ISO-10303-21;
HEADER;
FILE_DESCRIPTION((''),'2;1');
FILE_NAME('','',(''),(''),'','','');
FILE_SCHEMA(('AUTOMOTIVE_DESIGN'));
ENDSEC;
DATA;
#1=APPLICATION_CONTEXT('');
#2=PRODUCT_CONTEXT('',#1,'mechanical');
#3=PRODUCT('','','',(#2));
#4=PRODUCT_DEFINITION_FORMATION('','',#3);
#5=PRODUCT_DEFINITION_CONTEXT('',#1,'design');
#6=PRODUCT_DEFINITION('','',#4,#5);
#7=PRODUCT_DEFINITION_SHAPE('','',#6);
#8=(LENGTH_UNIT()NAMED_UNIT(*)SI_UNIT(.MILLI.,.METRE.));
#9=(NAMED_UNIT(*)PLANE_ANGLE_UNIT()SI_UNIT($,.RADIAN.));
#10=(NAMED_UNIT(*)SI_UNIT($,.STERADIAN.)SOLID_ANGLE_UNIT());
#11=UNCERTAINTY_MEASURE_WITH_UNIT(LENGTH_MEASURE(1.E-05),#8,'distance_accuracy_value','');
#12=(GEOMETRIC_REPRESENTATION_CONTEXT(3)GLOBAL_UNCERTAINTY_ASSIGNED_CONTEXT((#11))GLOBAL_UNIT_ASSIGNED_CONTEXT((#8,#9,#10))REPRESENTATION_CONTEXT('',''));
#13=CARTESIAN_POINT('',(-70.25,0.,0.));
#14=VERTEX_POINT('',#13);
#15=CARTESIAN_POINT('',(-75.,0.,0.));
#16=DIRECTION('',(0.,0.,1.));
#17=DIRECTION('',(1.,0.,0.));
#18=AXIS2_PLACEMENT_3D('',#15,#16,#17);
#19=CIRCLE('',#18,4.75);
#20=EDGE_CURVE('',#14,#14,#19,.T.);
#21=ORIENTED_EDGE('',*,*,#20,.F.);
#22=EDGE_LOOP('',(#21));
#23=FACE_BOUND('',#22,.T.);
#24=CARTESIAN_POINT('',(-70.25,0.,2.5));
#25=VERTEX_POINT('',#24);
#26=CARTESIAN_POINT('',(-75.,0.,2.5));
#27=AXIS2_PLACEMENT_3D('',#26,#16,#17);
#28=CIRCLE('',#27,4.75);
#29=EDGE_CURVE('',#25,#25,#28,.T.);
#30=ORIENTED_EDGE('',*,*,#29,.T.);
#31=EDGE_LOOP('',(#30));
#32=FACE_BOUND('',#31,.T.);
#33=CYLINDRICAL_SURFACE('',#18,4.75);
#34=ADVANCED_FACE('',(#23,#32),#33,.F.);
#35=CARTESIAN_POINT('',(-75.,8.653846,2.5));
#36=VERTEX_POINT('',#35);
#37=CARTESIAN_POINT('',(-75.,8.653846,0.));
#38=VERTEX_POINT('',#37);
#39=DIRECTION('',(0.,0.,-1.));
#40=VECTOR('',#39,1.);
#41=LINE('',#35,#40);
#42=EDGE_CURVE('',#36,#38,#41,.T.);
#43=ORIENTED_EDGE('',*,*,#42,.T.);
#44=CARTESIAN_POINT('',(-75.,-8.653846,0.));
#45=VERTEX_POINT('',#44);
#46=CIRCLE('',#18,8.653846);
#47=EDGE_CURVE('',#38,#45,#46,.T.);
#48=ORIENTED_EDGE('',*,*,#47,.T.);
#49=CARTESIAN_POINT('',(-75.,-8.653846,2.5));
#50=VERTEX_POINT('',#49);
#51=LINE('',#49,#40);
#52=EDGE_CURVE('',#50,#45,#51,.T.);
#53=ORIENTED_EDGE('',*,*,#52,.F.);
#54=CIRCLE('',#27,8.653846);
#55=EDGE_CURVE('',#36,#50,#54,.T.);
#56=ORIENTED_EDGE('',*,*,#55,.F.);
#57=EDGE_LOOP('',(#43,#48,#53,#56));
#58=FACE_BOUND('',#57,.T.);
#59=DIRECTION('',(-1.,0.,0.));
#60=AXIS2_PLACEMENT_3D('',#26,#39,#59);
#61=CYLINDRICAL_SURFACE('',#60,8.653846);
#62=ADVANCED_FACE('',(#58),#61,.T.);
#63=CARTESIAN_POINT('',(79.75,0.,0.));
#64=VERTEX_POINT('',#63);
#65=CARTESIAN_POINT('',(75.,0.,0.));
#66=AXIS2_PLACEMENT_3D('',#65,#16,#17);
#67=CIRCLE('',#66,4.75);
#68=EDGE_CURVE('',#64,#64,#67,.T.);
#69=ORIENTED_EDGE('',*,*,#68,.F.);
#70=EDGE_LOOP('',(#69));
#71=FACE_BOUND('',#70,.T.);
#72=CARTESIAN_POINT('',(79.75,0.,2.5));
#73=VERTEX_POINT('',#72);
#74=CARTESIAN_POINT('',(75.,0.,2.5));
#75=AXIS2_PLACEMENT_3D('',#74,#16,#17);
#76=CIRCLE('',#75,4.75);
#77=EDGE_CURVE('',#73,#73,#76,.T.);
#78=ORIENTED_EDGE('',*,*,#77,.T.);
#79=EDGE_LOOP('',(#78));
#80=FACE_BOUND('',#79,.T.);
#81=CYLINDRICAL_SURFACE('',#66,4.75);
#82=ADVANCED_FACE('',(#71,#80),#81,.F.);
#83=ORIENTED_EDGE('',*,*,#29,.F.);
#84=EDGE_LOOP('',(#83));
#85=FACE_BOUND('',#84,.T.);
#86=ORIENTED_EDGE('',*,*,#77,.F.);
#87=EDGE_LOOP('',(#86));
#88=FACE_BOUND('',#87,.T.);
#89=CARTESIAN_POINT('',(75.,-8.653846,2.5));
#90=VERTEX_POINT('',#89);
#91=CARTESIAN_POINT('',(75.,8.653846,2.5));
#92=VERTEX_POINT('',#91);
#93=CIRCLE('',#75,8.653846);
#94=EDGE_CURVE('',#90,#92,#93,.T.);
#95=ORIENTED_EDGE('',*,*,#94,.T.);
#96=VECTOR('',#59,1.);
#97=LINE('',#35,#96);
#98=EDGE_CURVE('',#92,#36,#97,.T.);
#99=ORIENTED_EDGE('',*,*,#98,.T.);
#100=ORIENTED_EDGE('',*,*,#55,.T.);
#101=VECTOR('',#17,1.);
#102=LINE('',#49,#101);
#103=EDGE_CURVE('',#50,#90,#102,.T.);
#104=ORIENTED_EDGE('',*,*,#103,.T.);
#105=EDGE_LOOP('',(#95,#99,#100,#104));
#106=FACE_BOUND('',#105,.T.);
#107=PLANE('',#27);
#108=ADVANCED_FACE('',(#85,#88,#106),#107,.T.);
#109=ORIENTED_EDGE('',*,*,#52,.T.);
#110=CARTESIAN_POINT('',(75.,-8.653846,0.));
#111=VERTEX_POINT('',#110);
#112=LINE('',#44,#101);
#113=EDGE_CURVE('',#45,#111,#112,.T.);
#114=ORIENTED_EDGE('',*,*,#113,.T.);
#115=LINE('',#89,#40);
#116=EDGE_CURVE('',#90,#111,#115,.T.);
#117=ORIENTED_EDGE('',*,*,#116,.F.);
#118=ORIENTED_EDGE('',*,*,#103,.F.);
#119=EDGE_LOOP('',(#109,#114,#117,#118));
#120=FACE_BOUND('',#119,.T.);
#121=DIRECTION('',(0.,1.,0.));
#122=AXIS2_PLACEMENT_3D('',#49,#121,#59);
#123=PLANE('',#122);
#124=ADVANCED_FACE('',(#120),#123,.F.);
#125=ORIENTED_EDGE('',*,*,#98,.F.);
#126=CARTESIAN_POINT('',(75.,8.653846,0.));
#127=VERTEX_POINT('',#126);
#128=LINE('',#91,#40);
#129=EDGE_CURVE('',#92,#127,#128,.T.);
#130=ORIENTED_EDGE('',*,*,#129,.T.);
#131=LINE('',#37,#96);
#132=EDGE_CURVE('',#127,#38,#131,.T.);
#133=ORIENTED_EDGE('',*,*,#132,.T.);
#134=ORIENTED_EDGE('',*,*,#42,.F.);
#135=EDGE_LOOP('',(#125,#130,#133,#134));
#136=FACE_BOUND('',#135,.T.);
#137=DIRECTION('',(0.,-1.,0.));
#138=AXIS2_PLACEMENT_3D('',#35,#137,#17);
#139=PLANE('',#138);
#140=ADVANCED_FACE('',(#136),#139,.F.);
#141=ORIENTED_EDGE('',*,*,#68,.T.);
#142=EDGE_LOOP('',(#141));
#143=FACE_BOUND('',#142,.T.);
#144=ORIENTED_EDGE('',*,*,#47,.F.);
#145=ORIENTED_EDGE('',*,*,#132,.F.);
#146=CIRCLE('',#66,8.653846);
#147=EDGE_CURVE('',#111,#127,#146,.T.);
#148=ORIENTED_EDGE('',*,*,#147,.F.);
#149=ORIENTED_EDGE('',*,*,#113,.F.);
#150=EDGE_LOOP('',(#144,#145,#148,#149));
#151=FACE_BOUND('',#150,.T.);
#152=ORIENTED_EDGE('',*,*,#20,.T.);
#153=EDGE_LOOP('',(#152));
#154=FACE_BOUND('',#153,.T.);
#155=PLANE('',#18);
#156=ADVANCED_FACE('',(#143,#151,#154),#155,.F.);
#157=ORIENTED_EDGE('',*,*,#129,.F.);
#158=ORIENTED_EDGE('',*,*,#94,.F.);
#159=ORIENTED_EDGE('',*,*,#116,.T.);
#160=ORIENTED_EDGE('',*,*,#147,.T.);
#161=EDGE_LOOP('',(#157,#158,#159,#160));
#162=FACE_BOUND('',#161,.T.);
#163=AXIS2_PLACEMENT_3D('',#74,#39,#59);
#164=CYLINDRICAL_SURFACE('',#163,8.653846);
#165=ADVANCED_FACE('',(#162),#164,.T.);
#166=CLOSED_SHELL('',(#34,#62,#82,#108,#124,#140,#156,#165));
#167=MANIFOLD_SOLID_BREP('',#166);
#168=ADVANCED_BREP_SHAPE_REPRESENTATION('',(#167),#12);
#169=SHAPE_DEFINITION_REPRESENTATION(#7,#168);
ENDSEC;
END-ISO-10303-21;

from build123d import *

# Parameters (mm, degrees)
SALIENTE_EXTRUIR1_DEPTH = 2.5
CROQUIS3_R              = 4.75
CORTAR_EXTRUIR1_DEPTH   = 85.137417536


with BuildPart() as part:
    # Croquis2 → Saliente-Extruir1 (new body)
    with BuildSketch(Plane.XY):
        with BuildLine():
            Line((-75, 8.653846154), (75, 8.653846154))
            ThreePointArc((75, 8.653846154), (83.653846154, 0), (75, -8.653846154))
            Line((75, -8.653846154), (-75, -8.653846154))
            ThreePointArc((-75, -8.653846154), (-83.653846154, 0), (-75, 8.653846154))
        make_face()
    extrude(amount=SALIENTE_EXTRUIR1_DEPTH)

    # Croquis3 → Cortar-Extruir1 (cut, through all)
    with BuildSketch(Plane.XY.offset(2.5)):
        with Locations((-75, 0)):
            Circle(CROQUIS3_R)
        with Locations((75, 0)):
            Circle(CROQUIS3_R)
    extrude(amount=-CORTAR_EXTRUIR1_DEPTH, mode=Mode.SUBTRACT)


solid = part.part
